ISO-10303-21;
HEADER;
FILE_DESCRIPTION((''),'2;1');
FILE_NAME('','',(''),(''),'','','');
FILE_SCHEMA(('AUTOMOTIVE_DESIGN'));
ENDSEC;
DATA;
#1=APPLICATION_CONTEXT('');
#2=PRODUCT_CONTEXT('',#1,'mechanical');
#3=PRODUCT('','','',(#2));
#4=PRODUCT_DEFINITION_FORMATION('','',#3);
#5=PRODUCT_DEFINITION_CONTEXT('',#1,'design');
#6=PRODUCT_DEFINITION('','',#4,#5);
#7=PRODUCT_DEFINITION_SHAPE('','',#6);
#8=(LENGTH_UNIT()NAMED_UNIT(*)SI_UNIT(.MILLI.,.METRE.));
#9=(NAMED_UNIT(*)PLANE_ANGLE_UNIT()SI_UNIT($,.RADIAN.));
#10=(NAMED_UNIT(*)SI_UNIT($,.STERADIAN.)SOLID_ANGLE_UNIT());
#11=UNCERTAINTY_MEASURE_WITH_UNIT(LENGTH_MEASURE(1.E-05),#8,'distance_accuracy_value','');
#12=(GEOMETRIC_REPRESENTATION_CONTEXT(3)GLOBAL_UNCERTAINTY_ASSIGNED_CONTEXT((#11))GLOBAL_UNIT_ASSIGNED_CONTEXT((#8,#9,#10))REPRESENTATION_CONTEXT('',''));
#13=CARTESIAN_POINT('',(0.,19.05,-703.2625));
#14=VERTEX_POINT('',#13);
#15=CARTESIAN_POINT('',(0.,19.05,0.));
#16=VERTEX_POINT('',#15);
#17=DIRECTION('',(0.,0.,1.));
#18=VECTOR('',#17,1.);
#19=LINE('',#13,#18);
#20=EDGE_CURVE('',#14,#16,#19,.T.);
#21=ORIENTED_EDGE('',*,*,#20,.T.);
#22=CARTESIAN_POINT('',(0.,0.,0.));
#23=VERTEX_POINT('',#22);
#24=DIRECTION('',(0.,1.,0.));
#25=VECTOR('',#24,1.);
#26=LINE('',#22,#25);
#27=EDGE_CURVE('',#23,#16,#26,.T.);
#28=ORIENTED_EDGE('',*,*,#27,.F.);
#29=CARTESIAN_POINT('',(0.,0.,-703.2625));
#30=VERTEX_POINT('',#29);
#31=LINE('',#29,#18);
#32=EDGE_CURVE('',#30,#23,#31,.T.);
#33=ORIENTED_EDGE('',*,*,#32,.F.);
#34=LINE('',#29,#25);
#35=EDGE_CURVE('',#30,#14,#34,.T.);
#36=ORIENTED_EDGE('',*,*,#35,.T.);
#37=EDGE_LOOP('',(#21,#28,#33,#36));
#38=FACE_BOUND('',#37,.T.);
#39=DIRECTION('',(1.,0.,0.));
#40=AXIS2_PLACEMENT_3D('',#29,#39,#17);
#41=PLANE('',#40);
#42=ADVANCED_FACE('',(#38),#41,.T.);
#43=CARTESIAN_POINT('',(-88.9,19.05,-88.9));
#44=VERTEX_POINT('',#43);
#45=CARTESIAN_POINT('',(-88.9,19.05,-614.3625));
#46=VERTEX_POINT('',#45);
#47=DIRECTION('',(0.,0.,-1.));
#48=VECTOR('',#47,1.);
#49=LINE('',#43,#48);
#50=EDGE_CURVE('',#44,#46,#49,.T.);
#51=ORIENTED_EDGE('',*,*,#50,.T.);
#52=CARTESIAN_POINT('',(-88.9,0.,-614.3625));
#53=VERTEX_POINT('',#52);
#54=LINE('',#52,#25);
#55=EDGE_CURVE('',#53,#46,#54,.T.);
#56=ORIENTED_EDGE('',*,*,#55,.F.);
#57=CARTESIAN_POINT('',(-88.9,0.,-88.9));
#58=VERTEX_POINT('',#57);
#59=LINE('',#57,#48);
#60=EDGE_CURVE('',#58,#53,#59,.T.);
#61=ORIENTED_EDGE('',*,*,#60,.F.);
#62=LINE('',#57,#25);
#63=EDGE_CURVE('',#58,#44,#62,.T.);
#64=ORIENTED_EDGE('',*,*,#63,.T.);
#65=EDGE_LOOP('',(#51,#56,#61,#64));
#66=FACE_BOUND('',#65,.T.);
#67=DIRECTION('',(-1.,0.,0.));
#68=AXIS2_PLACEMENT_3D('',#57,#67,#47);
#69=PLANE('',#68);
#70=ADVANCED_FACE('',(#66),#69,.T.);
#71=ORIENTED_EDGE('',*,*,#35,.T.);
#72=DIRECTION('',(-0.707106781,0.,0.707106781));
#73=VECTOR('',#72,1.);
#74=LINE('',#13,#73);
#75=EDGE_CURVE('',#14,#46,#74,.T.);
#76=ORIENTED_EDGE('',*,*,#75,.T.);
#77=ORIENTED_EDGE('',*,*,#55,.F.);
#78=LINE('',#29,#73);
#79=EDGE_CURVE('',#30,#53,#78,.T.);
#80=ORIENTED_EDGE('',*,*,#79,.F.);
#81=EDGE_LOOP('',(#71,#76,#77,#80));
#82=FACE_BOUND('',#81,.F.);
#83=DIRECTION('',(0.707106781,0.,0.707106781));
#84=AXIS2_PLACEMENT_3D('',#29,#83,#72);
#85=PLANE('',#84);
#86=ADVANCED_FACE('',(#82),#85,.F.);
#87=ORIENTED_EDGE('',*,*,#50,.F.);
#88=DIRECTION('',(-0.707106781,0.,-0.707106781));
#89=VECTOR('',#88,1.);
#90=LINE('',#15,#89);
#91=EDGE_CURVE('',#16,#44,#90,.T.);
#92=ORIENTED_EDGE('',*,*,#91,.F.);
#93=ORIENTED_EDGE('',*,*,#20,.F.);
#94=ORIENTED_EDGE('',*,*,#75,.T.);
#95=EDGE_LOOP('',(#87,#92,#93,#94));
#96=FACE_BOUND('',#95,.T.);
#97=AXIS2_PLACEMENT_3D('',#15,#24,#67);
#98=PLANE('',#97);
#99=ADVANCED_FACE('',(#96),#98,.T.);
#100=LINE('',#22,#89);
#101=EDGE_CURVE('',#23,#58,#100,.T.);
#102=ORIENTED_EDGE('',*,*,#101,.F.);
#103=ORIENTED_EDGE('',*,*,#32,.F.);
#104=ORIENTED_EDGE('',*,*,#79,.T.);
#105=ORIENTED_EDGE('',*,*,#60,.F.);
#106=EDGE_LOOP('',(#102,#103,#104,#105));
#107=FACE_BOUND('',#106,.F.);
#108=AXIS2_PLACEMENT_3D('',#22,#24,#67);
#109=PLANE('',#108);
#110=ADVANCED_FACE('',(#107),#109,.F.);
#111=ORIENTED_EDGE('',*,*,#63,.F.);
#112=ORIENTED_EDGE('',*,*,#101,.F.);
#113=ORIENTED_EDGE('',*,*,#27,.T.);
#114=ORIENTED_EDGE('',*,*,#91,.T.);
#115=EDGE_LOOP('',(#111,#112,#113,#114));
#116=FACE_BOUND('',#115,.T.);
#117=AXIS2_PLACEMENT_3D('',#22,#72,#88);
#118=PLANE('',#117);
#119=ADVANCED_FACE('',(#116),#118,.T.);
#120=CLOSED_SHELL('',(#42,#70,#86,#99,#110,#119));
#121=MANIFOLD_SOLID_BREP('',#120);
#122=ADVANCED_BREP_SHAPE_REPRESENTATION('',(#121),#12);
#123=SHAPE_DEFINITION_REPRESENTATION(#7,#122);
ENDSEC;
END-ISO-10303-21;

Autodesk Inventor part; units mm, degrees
ref_plane "YZ Plane" through (0, 0, 0) normal (1, 0, 0) x (0, 1, 0)
ref_plane "XZ Plane" through (0, 0, 0) normal (0, 1, 0) x (-1, 0, 0)
ref_plane "XY Plane" through (0, 0, 0) normal (0, 0, 1) x (1, 0, 0)
sketch "Sketch1" plane through (0, 0, 0) normal (0, 1, 0) x (-1, 0, 0)
  line L0 (88.9, -88.9) -> (88.9, -614.3625)
  line L1 (0, -703.2625) -> (0, 0)
  line L2 (0, 0) -> (88.9, -88.9)
  line L3 (0, -703.2625) -> (88.9, -614.3625)
  dimension "d4" = 703.2625
  dimension "d5" = 45
  dimension "d6" = 45
  dimension "d7" = 88.9
extrude "Extrusion1" add sketch "Sketch1" along normal blind 19.05
properties part number "Side Border"
